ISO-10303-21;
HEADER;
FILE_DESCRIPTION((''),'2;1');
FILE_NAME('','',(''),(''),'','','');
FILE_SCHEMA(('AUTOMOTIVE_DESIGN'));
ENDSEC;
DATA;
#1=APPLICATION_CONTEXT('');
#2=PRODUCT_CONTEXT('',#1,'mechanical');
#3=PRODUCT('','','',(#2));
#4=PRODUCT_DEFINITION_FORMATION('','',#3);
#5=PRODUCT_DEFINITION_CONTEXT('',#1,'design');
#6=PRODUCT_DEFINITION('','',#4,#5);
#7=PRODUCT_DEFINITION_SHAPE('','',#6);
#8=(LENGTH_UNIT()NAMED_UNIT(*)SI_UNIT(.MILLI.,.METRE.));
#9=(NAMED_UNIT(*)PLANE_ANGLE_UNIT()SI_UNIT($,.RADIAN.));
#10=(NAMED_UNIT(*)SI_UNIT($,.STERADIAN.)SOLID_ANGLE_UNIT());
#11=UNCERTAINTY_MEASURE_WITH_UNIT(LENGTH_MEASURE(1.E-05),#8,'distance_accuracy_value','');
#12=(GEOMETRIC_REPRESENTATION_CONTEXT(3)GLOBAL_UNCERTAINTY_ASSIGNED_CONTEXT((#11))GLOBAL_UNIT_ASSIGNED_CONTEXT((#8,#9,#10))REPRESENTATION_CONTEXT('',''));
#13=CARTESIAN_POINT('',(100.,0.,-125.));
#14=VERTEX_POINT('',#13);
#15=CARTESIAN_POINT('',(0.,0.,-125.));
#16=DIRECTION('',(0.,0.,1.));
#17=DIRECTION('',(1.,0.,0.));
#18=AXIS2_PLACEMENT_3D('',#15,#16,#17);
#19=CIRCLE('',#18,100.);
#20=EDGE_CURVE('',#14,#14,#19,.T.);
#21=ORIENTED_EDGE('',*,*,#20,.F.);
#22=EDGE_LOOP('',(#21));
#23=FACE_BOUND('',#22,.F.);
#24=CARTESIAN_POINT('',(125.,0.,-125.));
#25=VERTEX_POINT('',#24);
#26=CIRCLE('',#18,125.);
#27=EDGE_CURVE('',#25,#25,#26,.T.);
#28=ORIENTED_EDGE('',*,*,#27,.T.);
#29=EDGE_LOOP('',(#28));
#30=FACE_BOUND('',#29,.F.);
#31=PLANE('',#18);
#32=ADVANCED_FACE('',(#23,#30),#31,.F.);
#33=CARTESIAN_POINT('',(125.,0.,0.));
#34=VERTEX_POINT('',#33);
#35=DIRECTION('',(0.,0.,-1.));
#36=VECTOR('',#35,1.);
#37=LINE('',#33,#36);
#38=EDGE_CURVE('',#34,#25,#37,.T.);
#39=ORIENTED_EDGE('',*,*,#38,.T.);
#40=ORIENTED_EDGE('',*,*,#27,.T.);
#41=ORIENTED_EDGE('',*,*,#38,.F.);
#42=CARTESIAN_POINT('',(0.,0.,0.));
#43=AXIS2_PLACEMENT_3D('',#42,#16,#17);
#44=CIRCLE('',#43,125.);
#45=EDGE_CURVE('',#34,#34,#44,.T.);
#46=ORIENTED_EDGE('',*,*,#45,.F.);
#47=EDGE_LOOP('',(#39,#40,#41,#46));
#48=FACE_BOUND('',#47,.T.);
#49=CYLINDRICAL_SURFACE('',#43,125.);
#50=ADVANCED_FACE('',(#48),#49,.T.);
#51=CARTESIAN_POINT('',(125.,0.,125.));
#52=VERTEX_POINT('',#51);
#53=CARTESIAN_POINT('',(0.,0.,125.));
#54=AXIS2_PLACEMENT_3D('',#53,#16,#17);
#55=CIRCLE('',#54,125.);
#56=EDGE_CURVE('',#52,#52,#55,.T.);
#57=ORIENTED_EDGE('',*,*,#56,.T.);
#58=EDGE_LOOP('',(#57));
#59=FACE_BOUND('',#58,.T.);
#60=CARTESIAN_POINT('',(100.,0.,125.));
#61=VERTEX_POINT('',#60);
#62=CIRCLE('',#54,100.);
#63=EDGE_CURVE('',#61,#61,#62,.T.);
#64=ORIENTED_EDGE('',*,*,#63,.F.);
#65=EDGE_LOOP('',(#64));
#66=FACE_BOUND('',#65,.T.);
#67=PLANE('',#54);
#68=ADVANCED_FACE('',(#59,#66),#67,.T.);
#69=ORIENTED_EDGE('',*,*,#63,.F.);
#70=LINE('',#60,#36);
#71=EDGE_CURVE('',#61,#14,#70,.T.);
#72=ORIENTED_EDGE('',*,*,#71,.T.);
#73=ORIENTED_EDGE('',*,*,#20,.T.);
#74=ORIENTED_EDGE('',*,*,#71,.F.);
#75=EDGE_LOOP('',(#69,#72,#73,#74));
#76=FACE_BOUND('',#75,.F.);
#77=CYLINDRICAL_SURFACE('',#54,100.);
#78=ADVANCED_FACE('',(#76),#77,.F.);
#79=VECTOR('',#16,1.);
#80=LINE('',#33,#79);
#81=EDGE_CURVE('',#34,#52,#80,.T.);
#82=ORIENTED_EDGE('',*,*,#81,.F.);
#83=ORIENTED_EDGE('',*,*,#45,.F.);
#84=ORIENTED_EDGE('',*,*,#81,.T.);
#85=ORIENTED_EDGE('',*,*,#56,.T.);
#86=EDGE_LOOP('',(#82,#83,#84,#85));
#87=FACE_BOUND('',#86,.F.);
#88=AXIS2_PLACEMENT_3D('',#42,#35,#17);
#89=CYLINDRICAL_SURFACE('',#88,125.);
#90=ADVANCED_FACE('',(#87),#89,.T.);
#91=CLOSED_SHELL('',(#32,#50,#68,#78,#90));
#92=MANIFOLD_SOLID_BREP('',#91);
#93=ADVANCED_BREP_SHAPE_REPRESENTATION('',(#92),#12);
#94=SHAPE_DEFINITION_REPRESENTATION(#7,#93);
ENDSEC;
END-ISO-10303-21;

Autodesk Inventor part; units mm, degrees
ref_plane "YZ Plane" through (0, 0, 0) normal (1, 0, 0) x (0, 1, 0)
ref_plane "XZ Plane" through (0, 0, 0) normal (0, 1, 0) x (-1, 0, 0)
ref_plane "XY Plane" through (0, 0, 0) normal (0, 0, 1) x (1, 0, 0)
sketch "Sketch1" plane through (0, 0, 0) normal (0, 0, 1) x (1, 0, 0)
  circle A0 centre (0, 0) radius 125
  dimension "d0" = 250
extrude "Extrusion1" add sketch "Sketch1" along normal mid plane 250
sketch "Sketch2" plane through (0, 0, 125) normal (0, 0, 1) x (1, 0, 0)
  circle A0 centre (0, 0) radius 100
  dimension "d3" = 200
extrude "Extrusion2" cut sketch "Sketch2" against normal through all
properties part number "AGBL02_3"
